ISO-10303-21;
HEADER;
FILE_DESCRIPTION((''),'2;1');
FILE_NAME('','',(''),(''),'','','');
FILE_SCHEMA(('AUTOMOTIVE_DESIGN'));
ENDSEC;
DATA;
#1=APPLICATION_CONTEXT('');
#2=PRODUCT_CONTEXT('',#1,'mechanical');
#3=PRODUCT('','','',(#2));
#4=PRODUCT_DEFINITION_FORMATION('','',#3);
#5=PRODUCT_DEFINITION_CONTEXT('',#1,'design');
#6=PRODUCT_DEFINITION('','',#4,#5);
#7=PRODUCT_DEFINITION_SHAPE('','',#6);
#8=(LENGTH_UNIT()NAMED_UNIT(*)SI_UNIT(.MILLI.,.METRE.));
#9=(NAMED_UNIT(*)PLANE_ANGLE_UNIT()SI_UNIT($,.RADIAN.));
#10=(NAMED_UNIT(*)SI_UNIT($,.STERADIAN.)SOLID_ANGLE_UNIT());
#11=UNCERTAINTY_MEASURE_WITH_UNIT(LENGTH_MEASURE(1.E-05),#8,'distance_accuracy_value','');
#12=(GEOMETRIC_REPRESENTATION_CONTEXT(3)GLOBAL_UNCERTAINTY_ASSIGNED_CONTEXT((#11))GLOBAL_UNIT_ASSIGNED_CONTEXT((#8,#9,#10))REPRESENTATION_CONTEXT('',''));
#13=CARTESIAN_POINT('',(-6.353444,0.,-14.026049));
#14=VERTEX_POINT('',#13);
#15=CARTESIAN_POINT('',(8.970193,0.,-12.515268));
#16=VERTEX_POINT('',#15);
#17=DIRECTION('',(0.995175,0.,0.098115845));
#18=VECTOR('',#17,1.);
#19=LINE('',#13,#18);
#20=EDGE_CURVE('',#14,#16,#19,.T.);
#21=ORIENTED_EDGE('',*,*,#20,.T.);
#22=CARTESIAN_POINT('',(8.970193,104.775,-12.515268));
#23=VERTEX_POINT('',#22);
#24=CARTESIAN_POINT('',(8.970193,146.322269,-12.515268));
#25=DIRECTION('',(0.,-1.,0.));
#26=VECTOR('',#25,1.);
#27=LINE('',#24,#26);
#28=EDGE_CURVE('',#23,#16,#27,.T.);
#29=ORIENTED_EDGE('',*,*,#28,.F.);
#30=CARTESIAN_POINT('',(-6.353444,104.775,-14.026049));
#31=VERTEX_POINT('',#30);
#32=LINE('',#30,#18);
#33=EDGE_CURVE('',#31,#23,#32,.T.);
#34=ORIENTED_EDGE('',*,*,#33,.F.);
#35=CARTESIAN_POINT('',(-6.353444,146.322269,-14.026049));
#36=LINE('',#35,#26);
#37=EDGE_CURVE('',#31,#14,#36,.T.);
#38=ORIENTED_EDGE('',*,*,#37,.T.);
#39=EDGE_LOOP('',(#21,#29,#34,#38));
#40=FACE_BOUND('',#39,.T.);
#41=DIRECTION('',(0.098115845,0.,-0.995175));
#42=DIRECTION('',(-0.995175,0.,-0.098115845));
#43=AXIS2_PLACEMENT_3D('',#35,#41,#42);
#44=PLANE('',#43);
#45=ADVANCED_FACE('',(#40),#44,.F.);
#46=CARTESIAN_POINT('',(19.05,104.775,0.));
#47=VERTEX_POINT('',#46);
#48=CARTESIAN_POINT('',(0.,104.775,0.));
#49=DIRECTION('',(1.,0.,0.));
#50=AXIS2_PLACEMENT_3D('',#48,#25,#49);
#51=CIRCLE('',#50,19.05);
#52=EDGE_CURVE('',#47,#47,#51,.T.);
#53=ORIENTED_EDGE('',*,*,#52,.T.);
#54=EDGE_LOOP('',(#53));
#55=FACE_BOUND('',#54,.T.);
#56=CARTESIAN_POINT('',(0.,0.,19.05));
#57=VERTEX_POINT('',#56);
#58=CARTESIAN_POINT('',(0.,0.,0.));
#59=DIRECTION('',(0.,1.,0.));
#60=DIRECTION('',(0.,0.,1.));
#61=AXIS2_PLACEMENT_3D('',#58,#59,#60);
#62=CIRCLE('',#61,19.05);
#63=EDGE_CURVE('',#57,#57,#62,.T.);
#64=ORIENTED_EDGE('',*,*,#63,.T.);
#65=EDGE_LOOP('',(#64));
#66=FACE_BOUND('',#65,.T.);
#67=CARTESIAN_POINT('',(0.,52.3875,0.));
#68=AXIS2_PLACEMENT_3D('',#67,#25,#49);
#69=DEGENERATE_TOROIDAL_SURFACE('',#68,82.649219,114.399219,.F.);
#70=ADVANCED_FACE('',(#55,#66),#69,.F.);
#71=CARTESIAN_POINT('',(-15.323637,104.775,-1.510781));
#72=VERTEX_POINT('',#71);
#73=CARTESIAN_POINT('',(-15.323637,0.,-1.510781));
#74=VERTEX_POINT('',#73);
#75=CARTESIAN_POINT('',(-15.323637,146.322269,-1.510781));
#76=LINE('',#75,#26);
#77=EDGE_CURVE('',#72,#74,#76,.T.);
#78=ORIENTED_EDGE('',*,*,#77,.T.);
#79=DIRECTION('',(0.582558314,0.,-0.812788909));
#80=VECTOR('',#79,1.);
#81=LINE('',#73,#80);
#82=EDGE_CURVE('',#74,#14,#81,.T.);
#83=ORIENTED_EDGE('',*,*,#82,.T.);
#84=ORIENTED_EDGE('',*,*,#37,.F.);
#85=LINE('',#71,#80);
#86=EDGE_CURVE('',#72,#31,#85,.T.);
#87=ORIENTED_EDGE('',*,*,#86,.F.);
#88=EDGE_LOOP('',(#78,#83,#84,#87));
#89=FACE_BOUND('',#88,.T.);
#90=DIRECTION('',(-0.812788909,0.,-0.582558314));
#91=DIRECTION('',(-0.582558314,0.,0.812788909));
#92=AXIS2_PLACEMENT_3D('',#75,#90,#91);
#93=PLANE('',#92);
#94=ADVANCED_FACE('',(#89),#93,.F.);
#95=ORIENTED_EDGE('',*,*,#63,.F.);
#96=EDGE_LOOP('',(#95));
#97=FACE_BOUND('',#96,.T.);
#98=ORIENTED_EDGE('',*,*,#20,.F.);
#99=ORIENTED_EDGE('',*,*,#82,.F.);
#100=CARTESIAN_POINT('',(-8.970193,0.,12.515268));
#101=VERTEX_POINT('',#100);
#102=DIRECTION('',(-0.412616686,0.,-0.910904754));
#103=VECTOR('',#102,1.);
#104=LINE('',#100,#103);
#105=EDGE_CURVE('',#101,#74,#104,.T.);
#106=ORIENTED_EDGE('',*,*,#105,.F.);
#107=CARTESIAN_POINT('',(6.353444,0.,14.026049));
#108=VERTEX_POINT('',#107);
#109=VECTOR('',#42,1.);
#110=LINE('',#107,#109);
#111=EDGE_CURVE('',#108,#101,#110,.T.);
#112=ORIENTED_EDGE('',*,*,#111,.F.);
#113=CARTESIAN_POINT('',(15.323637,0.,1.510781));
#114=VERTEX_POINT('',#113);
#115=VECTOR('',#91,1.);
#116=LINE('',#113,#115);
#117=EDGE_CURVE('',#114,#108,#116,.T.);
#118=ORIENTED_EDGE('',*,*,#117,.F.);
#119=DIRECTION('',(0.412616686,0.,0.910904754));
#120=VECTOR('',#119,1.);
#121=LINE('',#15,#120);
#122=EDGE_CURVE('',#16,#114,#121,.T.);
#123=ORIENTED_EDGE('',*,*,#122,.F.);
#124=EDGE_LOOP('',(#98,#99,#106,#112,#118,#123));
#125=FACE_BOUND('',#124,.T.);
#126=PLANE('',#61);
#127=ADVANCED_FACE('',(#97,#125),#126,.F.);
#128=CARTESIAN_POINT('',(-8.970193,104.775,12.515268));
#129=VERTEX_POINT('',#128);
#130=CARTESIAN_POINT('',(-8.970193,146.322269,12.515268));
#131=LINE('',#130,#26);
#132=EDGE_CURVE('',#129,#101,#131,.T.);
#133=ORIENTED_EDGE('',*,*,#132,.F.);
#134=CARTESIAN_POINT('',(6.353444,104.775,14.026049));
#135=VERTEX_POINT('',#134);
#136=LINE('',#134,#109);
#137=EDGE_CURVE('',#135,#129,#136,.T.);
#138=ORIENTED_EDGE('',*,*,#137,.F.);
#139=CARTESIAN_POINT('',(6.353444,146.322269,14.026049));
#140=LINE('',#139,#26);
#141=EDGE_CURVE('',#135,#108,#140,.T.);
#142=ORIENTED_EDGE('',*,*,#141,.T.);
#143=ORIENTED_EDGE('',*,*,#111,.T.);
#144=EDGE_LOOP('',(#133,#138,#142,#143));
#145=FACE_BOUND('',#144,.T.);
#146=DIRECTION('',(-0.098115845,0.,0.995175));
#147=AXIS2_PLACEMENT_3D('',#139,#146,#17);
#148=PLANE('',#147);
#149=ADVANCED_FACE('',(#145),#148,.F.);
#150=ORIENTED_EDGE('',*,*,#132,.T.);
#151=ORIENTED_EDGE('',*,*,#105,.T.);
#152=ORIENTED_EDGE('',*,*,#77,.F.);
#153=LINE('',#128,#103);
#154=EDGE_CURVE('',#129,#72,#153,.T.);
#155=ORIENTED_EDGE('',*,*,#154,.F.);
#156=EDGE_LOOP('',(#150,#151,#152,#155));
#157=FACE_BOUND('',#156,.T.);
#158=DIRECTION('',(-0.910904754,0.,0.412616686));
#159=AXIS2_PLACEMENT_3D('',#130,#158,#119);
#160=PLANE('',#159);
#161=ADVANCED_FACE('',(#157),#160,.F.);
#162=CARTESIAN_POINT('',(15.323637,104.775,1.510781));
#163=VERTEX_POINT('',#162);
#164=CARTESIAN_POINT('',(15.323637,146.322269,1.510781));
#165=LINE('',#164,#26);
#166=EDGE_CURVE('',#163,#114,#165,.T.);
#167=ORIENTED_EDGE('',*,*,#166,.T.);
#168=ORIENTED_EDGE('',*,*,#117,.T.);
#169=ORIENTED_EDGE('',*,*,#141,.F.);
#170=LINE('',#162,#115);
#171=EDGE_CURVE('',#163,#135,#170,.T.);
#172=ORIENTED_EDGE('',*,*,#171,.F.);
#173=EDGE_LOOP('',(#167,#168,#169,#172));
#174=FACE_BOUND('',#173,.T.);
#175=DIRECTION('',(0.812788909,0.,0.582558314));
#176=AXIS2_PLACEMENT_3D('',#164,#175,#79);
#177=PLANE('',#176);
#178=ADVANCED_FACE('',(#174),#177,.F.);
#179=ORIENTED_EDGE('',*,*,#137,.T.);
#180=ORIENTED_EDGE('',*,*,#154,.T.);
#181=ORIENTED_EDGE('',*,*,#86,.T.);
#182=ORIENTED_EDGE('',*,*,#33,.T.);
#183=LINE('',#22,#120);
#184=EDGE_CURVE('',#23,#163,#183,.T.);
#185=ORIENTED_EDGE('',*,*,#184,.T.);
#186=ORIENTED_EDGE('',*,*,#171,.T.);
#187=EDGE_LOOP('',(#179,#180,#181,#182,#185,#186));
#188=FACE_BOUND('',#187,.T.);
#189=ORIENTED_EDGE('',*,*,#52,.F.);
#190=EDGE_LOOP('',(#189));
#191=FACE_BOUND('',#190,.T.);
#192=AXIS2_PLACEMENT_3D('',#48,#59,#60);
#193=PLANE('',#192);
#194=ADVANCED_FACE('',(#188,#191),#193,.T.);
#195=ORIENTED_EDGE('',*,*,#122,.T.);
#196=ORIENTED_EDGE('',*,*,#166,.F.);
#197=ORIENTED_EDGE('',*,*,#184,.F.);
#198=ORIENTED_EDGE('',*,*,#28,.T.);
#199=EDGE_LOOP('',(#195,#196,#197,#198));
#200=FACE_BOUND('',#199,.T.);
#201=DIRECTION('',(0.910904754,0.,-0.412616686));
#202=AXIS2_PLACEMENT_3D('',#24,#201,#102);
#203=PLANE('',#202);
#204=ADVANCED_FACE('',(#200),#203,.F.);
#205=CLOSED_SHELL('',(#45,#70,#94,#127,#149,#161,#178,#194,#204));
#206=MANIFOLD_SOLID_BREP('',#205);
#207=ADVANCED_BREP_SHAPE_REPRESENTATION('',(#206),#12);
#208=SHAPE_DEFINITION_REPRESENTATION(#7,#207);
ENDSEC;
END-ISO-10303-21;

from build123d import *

# Parameters (mm, degrees)
SKETCH1_R           = 19.05
BOSS_EXTRUDE1_DEPTH = 104.775
CUT_EXTRUDE1_DEPTH  = 104.775


with BuildPart() as part:
    # Sketch1 → Boss-Extrude1 (new body)
    with BuildSketch(Plane(origin=(0, 0, 0), x_dir=(1, 0, 0), z_dir=(0, 1, 0))):
        Circle(SKETCH1_R)
    extrude(amount=BOSS_EXTRUDE1_DEPTH)

    # Sketch2 → Cut-Extrude1 (cut)
    with BuildSketch(Plane.XZ):
        Polygon((-15.323636661, -1.510781079), (-6.353443536, -14.026049167), (8.970193125, -12.515268087), (15.323636661, 1.510781079), (6.353443536, 14.026049167), (-8.970193125, 12.515268087), align=None)
    extrude(amount=-CUT_EXTRUDE1_DEPTH, mode=Mode.SUBTRACT)

    # Sketch4 → Revolve1 (revolve)
    with BuildSketch(Plane.XY):
        with BuildLine():
            Line((-19.05, 104.775), (-19.05, 0))
            ThreePointArc((-19.05, 0), (-31.75, 52.3875), (-19.05, 104.775))
        make_face()
    revolve(axis=Axis((0, 0, 0), (0, 1, 0)))


solid = part.part
